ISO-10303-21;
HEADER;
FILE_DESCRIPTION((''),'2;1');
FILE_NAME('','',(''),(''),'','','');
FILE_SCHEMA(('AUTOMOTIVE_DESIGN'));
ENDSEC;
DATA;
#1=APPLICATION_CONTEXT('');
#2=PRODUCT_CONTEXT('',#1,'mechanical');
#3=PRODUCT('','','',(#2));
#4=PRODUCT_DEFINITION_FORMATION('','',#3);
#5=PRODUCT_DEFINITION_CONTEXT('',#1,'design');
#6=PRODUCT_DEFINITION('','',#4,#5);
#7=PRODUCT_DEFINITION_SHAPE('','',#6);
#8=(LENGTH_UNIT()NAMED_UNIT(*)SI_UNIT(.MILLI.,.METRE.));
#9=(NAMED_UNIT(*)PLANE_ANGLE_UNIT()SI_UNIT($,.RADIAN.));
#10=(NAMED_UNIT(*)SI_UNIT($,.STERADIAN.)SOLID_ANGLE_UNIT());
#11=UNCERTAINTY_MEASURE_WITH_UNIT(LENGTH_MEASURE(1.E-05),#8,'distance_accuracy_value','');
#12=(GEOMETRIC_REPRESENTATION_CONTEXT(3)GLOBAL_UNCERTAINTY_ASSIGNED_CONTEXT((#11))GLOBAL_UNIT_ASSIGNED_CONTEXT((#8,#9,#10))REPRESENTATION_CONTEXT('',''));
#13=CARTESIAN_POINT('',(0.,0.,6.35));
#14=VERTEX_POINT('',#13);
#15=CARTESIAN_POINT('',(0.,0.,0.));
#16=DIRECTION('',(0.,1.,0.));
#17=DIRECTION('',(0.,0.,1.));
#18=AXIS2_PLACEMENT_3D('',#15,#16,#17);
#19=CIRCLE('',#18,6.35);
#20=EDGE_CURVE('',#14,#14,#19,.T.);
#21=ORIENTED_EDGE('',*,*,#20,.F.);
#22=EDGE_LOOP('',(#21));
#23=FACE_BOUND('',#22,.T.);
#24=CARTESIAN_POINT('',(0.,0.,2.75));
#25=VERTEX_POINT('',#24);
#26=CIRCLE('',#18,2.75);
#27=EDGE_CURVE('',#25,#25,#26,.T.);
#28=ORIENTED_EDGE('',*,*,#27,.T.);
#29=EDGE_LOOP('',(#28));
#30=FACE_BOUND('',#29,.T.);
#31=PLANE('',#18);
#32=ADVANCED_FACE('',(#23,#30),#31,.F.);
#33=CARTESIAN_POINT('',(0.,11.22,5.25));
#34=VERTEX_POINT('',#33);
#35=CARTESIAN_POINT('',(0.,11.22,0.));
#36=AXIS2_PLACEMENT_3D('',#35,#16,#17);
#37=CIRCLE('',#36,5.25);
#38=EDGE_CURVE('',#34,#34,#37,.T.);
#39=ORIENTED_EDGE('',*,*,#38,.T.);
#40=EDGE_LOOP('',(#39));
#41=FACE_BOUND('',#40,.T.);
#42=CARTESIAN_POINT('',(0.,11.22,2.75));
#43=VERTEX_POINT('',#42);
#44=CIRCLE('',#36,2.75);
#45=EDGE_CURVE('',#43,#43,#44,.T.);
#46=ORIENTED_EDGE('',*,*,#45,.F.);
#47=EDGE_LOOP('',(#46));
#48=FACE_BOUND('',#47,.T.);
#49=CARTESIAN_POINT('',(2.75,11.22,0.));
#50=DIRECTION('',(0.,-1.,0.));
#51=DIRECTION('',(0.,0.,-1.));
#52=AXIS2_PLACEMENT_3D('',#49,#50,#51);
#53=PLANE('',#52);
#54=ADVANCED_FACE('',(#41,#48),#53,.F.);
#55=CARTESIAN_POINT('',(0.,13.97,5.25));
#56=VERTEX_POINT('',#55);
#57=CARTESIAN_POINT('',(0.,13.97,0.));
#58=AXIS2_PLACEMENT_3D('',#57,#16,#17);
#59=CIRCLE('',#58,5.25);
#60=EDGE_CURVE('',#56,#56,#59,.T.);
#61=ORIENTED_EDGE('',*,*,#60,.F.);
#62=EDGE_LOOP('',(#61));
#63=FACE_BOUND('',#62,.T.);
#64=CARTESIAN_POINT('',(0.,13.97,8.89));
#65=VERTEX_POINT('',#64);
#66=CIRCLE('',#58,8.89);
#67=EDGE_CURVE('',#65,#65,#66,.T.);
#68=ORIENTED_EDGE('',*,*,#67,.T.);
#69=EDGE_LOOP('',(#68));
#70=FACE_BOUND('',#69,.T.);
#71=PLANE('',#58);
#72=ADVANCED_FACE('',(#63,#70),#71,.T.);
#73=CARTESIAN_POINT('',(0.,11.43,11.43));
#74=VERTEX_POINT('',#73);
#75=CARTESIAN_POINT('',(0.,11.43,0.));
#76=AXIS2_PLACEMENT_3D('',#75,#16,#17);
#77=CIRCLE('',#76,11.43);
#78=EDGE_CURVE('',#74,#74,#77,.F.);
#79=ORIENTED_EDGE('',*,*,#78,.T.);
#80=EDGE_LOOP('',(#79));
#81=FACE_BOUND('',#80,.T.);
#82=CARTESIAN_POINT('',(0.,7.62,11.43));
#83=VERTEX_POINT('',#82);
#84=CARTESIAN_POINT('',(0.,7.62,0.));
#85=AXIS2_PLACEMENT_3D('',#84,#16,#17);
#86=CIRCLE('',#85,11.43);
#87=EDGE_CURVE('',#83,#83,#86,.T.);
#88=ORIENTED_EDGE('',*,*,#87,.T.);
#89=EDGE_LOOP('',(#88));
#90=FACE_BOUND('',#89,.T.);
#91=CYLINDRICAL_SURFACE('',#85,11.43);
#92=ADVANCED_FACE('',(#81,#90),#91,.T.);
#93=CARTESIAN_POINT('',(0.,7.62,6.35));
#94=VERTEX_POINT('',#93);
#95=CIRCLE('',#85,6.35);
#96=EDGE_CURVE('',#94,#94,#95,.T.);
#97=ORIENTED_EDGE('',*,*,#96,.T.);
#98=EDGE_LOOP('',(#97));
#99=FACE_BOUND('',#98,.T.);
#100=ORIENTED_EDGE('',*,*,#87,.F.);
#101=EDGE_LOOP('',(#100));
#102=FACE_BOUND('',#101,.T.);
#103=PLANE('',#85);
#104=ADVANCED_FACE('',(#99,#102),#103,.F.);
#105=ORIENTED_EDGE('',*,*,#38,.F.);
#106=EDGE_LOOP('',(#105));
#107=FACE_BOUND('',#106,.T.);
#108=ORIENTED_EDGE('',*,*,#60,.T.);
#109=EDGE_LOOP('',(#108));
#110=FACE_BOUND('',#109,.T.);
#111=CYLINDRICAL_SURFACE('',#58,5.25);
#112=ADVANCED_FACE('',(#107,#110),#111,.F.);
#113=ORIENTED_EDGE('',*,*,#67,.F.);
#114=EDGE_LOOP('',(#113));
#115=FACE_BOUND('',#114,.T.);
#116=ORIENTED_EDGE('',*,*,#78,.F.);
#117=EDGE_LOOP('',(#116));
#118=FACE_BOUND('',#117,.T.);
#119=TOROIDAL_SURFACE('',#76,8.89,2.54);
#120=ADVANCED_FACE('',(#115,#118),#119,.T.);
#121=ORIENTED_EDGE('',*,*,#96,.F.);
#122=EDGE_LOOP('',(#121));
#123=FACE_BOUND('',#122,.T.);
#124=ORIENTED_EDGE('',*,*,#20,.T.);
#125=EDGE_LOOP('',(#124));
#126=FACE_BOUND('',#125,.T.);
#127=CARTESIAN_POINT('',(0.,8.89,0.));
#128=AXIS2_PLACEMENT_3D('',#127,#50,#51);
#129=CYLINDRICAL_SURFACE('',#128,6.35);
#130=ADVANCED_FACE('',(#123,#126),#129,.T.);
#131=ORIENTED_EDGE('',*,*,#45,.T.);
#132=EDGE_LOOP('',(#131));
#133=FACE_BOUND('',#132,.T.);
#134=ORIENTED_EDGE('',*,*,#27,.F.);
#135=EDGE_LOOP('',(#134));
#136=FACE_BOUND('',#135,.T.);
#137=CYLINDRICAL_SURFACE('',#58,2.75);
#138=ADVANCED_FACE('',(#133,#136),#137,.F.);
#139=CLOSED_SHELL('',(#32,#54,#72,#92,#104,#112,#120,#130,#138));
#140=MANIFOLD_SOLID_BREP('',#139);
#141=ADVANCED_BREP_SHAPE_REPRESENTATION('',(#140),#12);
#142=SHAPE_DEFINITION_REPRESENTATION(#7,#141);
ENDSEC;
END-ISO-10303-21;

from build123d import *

# Parameters (mm, degrees)
SKETCH1_R                       = 6.35
BOSS_EXTRUDE1_DEPTH             = 8.89
BOSS_EXTRUDE2_DEPTH             = 5.08
BOSS_EXTRUDE2_DEPTH_BACK        = 1.27
SKETCH2_R                       = 11.43
CBORE_FOR_M5_SBHCS1_D           = 5.5
CBORE_FOR_M5_SBHCS1_CBORE_D     = 10.5
CBORE_FOR_M5_SBHCS1_CBORE_DEPTH = 2.75
FILLET1_R                       = 2.54


with BuildPart() as part:
    # Sketch1 → Boss-Extrude1 (new body)
    with BuildSketch(Plane(origin=(0, 0, 0), x_dir=(1, 0, 0), z_dir=(0, 1, 0))):
        with Locations(Location((0, 0, 0), (0, 0, 270))):
            Circle(SKETCH1_R)
    extrude(amount=BOSS_EXTRUDE1_DEPTH)

    # Sketch2 → Boss-Extrude2 (add, two sides: drawn at the far end of the back side and taken through both)
    with BuildSketch(Plane(origin=(0, 8.89, 0), x_dir=(1, 0, 0), z_dir=(0, 1, 0)).offset(-BOSS_EXTRUDE2_DEPTH_BACK)):
        with Locations(Location((0, 0, 0), (0, 0, 270))):
            Circle(SKETCH2_R)
    extrude(amount=BOSS_EXTRUDE2_DEPTH + BOSS_EXTRUDE2_DEPTH_BACK)

    # CBORE for M5 SBHCS1 (through all)
    with Locations(Plane(origin=(0, 13.97, 0), x_dir=(1, 0, 0), z_dir=(0, 1, 0))):
        with Locations((0, 0)):
            CounterBoreHole(CBORE_FOR_M5_SBHCS1_D / 2, CBORE_FOR_M5_SBHCS1_CBORE_D / 2, CBORE_FOR_M5_SBHCS1_CBORE_DEPTH)

    # Fillet1
    fillet1_edges = [part.edges().sort_by_distance(p)[0] for p in [
        (0, 13.97, -11.43),
    ]]
    fillet(fillet1_edges, radius=FILLET1_R)


solid = part.part
